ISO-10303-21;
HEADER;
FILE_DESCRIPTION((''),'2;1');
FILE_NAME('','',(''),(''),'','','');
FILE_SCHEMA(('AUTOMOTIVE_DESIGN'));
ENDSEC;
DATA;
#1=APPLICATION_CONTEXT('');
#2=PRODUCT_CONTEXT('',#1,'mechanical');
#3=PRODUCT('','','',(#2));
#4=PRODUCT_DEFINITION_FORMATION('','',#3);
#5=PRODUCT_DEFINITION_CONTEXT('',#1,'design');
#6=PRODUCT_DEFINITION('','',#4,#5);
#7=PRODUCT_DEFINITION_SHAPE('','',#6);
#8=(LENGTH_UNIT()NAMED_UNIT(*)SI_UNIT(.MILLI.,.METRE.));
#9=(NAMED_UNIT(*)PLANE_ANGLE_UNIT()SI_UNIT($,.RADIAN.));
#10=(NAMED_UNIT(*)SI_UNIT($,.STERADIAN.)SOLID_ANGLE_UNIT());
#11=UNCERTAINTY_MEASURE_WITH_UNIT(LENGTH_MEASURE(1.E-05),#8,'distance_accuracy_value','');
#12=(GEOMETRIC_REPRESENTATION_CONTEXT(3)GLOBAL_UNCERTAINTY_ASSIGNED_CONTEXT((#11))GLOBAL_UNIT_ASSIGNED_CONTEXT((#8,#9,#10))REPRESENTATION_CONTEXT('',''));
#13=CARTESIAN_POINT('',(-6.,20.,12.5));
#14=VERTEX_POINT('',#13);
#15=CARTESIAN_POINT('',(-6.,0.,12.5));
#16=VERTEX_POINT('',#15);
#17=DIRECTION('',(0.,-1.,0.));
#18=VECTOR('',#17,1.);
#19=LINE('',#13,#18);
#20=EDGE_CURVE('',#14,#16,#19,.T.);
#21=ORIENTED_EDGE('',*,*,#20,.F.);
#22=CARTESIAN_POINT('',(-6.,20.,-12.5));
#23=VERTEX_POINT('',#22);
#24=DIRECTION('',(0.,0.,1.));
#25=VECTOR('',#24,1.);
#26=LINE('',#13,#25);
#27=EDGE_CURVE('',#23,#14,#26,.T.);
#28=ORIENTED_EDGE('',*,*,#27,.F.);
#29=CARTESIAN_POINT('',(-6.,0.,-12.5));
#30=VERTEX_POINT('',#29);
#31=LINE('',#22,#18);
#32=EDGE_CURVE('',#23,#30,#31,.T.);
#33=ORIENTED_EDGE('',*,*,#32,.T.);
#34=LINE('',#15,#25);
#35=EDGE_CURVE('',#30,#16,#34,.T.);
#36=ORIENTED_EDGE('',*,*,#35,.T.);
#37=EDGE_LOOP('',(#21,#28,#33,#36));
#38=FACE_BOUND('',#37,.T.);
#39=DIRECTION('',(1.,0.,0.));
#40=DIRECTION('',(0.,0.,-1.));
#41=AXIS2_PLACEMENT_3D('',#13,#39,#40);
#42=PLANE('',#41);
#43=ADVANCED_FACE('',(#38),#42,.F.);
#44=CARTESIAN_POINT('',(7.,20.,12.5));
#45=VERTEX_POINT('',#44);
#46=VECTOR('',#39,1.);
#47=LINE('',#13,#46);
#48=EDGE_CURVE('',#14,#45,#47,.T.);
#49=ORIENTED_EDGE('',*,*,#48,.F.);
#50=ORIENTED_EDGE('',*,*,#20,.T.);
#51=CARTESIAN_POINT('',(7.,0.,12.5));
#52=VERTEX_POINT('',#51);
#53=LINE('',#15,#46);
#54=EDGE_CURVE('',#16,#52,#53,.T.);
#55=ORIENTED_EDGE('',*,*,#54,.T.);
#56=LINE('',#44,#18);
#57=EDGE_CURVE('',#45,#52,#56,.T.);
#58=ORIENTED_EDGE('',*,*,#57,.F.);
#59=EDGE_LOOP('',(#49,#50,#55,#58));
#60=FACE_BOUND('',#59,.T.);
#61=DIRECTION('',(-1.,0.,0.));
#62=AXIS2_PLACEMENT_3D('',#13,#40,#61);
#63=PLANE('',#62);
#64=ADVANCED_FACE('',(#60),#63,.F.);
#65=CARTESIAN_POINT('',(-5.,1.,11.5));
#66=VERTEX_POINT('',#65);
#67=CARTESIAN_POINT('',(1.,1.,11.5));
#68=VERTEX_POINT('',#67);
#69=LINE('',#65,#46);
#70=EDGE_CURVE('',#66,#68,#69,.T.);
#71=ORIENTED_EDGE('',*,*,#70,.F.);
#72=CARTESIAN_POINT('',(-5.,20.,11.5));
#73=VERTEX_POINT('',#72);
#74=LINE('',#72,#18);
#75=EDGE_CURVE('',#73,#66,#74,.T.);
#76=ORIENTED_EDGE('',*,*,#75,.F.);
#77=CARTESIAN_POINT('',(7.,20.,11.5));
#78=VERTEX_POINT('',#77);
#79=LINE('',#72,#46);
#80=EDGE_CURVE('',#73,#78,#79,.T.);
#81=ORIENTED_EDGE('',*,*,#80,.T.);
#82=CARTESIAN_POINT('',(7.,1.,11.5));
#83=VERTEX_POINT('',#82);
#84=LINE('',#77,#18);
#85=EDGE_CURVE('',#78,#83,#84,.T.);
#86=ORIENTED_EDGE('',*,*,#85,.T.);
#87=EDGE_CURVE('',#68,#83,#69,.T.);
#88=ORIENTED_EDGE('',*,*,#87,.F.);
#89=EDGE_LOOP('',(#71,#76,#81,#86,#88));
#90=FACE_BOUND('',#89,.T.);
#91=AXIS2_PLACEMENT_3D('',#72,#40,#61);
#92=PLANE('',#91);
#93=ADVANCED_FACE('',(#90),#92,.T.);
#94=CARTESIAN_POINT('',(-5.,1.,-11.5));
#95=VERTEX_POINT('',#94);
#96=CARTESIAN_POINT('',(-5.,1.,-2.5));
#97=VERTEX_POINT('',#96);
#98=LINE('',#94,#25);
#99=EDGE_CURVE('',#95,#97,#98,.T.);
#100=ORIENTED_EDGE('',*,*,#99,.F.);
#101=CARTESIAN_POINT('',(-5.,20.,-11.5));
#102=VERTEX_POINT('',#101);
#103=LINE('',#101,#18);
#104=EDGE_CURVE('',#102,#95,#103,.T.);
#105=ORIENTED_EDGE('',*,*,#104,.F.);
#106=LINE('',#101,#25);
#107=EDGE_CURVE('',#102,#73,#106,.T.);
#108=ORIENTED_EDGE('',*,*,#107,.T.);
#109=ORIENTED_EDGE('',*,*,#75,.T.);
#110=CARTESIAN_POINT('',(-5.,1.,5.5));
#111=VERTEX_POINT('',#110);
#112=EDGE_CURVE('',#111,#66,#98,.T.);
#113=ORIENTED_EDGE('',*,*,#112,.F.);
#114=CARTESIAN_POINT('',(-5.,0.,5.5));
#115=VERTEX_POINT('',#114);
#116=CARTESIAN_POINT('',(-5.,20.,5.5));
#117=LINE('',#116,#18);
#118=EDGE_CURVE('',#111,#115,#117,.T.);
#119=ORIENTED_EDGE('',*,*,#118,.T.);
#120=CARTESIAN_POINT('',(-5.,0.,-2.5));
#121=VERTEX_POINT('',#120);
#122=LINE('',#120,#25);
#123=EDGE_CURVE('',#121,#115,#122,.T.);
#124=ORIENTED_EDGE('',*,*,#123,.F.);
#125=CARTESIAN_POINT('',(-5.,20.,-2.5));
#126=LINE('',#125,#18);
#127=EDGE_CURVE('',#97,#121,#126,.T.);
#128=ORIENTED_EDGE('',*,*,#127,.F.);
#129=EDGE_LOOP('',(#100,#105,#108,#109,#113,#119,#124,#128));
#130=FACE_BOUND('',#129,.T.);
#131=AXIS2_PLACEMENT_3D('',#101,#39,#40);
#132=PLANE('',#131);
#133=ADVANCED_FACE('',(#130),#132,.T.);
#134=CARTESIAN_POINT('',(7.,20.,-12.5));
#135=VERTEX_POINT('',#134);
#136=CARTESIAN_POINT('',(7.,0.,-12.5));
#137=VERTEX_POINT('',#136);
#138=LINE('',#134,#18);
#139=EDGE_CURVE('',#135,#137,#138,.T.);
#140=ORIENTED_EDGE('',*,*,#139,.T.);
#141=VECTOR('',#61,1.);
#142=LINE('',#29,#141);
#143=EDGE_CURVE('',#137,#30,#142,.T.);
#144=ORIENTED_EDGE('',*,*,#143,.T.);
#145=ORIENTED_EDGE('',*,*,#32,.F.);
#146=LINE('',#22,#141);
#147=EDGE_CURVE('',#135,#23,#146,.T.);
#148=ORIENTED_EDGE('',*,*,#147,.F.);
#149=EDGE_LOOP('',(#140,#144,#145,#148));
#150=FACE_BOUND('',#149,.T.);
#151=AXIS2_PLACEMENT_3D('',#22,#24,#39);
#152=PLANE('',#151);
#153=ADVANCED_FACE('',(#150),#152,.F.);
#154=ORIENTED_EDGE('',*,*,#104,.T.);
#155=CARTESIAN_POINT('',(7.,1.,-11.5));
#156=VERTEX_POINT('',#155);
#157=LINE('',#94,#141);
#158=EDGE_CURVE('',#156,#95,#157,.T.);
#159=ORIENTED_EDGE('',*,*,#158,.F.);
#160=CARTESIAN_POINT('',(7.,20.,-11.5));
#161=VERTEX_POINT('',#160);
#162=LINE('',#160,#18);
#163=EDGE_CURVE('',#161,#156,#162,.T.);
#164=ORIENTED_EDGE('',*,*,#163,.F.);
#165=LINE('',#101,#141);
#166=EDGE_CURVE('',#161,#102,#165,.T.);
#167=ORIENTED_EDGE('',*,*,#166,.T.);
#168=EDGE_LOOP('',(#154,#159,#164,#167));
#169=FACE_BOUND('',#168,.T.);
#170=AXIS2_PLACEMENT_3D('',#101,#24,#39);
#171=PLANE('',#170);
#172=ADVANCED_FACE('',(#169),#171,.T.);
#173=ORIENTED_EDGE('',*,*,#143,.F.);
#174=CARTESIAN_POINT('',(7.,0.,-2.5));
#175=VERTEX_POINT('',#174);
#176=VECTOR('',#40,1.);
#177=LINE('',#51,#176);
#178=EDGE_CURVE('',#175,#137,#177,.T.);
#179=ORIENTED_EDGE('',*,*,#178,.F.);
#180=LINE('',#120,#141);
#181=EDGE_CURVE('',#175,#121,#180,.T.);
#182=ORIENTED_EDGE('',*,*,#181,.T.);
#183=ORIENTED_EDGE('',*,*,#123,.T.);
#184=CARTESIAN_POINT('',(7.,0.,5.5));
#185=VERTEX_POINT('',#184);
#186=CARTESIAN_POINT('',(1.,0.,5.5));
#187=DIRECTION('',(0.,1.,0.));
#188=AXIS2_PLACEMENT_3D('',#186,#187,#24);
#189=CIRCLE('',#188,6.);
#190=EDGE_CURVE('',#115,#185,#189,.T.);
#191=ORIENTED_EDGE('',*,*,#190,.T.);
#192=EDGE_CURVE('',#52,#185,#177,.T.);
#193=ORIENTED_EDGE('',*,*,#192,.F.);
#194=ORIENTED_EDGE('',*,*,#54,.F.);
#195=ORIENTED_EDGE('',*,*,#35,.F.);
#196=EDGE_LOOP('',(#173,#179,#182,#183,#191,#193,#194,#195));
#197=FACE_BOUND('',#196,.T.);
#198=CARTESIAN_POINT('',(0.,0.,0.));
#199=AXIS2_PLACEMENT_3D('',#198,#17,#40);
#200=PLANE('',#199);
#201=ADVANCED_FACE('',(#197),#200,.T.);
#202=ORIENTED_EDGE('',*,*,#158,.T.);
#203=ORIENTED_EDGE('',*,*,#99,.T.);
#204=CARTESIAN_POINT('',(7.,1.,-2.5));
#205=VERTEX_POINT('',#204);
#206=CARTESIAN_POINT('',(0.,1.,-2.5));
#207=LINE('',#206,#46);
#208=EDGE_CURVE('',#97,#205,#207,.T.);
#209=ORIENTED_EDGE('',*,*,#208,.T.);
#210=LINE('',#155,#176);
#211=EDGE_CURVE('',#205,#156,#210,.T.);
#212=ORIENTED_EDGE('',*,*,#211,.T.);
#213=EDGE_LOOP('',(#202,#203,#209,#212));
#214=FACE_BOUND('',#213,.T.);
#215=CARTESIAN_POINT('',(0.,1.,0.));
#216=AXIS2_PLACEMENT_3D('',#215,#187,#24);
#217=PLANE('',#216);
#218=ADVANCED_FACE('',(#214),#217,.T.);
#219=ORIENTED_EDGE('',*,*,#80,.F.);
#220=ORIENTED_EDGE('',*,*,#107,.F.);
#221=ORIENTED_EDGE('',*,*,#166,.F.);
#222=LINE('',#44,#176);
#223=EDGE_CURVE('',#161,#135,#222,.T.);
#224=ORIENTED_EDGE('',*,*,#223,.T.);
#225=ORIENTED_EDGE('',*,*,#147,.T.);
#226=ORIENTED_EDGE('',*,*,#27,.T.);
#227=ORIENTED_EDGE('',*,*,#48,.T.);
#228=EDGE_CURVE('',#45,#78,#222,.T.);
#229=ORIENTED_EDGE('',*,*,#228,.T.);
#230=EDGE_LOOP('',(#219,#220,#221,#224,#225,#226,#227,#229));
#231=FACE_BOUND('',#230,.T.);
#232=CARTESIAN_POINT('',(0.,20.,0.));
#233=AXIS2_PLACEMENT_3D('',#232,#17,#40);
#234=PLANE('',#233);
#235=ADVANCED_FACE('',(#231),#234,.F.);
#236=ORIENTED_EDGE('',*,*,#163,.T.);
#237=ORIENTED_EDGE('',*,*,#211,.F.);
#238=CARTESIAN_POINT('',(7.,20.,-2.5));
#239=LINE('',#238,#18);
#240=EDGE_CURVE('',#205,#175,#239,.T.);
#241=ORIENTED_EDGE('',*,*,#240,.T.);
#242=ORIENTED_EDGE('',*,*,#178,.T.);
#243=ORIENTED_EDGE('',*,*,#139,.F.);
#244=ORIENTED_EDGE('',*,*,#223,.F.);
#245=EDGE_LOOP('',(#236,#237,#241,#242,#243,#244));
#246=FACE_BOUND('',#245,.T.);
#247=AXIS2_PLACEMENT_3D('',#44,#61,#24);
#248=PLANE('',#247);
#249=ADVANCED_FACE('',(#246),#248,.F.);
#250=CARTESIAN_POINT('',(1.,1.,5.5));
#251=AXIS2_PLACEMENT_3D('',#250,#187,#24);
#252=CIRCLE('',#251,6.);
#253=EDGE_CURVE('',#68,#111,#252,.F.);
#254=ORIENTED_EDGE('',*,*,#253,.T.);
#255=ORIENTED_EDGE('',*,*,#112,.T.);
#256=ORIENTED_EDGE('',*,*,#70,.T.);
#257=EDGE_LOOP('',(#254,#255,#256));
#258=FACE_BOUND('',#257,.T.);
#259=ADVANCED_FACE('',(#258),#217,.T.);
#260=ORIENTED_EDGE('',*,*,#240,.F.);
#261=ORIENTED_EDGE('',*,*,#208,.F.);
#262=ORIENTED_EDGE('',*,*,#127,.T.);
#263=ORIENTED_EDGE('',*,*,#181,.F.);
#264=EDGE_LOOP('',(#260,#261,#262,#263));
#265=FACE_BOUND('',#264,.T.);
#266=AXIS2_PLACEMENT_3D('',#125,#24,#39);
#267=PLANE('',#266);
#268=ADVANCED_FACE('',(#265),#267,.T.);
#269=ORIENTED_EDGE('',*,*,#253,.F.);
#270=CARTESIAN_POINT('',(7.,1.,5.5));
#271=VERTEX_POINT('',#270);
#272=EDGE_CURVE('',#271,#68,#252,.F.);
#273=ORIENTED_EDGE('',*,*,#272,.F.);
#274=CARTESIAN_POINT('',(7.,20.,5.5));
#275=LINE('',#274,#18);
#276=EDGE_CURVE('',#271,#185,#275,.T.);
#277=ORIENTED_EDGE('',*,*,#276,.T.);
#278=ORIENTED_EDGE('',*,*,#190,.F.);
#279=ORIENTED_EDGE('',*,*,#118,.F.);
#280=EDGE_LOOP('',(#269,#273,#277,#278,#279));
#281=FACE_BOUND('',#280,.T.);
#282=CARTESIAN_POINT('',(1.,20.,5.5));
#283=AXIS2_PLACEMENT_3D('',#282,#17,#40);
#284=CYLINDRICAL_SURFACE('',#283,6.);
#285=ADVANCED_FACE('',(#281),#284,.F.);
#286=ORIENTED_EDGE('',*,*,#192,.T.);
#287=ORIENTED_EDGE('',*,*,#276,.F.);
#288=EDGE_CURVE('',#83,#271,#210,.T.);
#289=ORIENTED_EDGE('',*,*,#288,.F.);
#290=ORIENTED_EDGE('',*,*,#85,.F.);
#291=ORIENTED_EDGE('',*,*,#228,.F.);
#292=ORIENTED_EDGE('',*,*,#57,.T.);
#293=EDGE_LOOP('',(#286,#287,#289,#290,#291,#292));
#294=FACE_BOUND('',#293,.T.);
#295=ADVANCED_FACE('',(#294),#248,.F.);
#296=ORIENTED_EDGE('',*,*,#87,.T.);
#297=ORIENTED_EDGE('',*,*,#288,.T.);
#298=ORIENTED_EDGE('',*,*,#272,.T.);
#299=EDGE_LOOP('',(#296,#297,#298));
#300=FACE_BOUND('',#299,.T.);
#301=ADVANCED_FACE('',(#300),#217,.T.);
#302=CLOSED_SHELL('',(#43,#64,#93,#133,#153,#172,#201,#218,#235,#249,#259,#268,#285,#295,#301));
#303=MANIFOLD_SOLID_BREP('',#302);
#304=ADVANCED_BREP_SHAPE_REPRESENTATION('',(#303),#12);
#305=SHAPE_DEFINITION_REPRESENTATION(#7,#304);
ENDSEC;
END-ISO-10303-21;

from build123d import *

# Parameters (mm, degrees)
SKETCH_15_W          = 13
SKETCH_15_H          = 25
EXTRUDE_4_DEPTH      = 20
CUT_EXTRUDE_START    = 1
SKETCH_16_W          = 12
SKETCH_16_H          = 23
CUT_EXTRUDE_47_DEPTH = 24.6018292
CUT_EXTRUDE_48_DEPTH = 25.6018292


with BuildPart() as part:
    # 스케치15 → 보스-돌출4 (new body)
    with BuildSketch(Plane(origin=(0, 0, 0), x_dir=(1, 0, 0), z_dir=(0, 1, 0))):
        with Locations((0.5, 0)):
            Rectangle(SKETCH_15_W, SKETCH_15_H)
    extrude(amount=EXTRUDE_4_DEPTH)

    # 스케치16 → 컷-돌출47 (cut, through all)
    with BuildSketch(Plane(origin=(0, 0, 0), x_dir=(1, 0, 0), z_dir=(0, 1, 0)).offset(CUT_EXTRUDE_START)):
        with Locations((1, 0)):
            Rectangle(SKETCH_16_W, SKETCH_16_H)
    extrude(amount=CUT_EXTRUDE_47_DEPTH, mode=Mode.SUBTRACT)

    # 스케치17 → 컷-돌출48 (cut, through all)
    with BuildSketch(Plane(origin=(0, 0, 0), x_dir=(1, 0, 0), z_dir=(0, 1, 0))):
        with BuildLine():
            Line((-5, 2.5), (7, 2.5))
            Line((7, 2.5), (7, -5.5))
            ThreePointArc((7, -5.5), (1, -11.5), (-5, -5.5))
            Line((-5, -5.5), (-5, 2.5))
        make_face()
    extrude(amount=CUT_EXTRUDE_48_DEPTH, mode=Mode.SUBTRACT)


solid = part.part
